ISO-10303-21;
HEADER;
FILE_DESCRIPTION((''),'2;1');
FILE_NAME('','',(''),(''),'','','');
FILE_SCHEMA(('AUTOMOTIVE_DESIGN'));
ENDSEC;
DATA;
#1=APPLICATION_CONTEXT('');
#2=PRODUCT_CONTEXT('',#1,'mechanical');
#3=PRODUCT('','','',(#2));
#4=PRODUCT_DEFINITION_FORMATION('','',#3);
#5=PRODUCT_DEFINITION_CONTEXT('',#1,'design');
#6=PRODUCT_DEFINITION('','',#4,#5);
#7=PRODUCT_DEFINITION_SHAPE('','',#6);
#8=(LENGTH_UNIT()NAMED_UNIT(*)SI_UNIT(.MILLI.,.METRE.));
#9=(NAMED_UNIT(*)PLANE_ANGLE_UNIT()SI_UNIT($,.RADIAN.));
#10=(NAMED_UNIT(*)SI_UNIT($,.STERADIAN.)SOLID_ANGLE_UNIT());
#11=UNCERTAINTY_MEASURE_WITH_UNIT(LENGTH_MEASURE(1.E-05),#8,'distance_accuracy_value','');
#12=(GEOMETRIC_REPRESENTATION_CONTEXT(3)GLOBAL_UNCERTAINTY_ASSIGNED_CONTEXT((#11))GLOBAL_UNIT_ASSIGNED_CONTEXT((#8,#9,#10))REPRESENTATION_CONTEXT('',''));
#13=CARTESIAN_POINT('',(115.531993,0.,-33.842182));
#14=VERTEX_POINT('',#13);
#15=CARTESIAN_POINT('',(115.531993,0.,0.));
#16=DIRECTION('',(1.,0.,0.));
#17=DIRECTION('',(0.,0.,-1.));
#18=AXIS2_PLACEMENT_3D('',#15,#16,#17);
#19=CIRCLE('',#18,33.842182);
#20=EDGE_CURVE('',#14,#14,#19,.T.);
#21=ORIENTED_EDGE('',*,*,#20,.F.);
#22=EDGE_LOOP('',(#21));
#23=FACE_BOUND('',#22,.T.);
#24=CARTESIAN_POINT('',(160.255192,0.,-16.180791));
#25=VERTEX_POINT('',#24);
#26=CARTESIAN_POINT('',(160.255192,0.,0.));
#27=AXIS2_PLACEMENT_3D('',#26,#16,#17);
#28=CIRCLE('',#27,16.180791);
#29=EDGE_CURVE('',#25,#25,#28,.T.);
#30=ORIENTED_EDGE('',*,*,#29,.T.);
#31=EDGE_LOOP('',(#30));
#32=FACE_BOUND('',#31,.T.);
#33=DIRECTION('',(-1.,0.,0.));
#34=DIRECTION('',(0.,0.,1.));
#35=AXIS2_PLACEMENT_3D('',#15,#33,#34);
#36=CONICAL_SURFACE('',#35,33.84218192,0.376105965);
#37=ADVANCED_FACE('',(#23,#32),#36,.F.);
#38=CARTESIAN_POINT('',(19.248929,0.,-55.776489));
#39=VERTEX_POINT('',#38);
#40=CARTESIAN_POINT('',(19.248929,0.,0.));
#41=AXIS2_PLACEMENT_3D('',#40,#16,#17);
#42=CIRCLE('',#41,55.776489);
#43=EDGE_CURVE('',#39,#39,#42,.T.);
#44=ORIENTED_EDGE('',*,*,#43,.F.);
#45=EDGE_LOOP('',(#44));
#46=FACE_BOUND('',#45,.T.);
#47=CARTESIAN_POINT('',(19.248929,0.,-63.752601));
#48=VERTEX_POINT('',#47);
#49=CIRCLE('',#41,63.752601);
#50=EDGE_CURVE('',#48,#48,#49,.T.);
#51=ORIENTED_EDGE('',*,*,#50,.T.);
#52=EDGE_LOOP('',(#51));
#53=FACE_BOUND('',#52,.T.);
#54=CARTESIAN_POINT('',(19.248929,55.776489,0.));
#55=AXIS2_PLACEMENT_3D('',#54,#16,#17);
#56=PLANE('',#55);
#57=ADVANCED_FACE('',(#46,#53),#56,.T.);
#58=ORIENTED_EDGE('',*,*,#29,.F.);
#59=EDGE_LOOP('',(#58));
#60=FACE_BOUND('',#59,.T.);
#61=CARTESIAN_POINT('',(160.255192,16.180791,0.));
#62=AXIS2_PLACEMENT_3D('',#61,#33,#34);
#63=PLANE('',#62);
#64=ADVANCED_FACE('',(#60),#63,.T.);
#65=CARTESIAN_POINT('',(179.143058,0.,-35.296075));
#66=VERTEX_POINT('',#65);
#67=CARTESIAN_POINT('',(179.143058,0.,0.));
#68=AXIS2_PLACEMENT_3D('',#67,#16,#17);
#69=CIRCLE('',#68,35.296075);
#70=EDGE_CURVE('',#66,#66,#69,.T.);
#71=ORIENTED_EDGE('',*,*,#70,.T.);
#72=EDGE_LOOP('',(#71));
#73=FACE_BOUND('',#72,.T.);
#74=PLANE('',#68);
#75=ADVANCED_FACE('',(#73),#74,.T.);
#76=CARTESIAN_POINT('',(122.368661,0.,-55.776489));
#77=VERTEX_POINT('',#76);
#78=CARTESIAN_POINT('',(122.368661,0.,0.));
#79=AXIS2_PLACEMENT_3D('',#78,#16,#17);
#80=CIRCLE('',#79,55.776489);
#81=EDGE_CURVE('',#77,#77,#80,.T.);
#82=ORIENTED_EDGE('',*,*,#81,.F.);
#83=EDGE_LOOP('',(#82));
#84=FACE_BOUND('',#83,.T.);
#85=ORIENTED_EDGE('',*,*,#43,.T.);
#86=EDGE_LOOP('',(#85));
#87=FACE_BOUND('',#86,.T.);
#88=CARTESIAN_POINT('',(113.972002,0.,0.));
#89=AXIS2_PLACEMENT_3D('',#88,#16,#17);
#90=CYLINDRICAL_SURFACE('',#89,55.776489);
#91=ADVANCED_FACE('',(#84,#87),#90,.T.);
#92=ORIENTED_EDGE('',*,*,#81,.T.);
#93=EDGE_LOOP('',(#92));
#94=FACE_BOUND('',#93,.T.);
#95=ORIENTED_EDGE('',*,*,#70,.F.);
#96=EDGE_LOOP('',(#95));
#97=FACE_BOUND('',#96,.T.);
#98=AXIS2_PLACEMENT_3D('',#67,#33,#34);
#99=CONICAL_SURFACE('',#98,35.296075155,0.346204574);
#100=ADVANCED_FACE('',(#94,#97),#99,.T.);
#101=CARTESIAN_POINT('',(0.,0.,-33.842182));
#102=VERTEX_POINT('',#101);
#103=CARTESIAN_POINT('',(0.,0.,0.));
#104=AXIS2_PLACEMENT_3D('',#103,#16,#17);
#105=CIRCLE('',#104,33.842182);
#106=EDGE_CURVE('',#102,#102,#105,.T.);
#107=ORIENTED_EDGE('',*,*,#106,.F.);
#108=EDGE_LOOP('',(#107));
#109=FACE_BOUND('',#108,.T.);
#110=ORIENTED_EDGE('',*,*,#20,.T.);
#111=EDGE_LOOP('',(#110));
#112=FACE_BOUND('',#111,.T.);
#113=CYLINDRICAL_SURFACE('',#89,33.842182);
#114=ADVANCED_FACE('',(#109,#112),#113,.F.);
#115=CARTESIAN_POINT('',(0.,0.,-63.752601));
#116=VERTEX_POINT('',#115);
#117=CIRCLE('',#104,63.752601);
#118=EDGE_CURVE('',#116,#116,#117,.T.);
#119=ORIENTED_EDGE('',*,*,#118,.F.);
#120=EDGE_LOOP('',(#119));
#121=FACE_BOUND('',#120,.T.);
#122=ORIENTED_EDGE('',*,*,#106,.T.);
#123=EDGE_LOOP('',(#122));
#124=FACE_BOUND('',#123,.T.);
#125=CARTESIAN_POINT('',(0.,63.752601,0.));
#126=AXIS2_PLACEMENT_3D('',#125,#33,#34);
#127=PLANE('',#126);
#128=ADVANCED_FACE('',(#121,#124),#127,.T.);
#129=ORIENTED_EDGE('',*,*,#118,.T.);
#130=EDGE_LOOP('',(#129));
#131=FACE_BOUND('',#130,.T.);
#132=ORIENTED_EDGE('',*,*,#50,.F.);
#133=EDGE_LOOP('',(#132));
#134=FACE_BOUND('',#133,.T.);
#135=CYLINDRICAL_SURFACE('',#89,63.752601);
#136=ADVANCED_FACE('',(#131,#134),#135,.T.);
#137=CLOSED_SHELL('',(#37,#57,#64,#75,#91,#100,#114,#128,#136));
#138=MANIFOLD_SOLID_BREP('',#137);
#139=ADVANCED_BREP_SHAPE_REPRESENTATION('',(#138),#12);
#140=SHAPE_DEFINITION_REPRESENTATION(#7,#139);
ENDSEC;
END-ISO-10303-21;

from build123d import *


with BuildPart() as part:
    # Sketch2 → Revolve1 (revolve)
    with BuildSketch(Plane.XY):
        Polygon((0, 63.752601219), (0, 33.84218192), (115.53199326, 33.84218192), (160.25519164, 16.180791476), (160.25519164, 0), (179.143057778, 0), (179.143057778, 35.296075155), (122.368660528, 55.776489406), (19.24892923, 55.776489406), (19.24892923, 63.752601219), align=None)
    revolve(axis=Axis((113.972001836, 0, 0), (-1, 0, 0)))


solid = part.part
